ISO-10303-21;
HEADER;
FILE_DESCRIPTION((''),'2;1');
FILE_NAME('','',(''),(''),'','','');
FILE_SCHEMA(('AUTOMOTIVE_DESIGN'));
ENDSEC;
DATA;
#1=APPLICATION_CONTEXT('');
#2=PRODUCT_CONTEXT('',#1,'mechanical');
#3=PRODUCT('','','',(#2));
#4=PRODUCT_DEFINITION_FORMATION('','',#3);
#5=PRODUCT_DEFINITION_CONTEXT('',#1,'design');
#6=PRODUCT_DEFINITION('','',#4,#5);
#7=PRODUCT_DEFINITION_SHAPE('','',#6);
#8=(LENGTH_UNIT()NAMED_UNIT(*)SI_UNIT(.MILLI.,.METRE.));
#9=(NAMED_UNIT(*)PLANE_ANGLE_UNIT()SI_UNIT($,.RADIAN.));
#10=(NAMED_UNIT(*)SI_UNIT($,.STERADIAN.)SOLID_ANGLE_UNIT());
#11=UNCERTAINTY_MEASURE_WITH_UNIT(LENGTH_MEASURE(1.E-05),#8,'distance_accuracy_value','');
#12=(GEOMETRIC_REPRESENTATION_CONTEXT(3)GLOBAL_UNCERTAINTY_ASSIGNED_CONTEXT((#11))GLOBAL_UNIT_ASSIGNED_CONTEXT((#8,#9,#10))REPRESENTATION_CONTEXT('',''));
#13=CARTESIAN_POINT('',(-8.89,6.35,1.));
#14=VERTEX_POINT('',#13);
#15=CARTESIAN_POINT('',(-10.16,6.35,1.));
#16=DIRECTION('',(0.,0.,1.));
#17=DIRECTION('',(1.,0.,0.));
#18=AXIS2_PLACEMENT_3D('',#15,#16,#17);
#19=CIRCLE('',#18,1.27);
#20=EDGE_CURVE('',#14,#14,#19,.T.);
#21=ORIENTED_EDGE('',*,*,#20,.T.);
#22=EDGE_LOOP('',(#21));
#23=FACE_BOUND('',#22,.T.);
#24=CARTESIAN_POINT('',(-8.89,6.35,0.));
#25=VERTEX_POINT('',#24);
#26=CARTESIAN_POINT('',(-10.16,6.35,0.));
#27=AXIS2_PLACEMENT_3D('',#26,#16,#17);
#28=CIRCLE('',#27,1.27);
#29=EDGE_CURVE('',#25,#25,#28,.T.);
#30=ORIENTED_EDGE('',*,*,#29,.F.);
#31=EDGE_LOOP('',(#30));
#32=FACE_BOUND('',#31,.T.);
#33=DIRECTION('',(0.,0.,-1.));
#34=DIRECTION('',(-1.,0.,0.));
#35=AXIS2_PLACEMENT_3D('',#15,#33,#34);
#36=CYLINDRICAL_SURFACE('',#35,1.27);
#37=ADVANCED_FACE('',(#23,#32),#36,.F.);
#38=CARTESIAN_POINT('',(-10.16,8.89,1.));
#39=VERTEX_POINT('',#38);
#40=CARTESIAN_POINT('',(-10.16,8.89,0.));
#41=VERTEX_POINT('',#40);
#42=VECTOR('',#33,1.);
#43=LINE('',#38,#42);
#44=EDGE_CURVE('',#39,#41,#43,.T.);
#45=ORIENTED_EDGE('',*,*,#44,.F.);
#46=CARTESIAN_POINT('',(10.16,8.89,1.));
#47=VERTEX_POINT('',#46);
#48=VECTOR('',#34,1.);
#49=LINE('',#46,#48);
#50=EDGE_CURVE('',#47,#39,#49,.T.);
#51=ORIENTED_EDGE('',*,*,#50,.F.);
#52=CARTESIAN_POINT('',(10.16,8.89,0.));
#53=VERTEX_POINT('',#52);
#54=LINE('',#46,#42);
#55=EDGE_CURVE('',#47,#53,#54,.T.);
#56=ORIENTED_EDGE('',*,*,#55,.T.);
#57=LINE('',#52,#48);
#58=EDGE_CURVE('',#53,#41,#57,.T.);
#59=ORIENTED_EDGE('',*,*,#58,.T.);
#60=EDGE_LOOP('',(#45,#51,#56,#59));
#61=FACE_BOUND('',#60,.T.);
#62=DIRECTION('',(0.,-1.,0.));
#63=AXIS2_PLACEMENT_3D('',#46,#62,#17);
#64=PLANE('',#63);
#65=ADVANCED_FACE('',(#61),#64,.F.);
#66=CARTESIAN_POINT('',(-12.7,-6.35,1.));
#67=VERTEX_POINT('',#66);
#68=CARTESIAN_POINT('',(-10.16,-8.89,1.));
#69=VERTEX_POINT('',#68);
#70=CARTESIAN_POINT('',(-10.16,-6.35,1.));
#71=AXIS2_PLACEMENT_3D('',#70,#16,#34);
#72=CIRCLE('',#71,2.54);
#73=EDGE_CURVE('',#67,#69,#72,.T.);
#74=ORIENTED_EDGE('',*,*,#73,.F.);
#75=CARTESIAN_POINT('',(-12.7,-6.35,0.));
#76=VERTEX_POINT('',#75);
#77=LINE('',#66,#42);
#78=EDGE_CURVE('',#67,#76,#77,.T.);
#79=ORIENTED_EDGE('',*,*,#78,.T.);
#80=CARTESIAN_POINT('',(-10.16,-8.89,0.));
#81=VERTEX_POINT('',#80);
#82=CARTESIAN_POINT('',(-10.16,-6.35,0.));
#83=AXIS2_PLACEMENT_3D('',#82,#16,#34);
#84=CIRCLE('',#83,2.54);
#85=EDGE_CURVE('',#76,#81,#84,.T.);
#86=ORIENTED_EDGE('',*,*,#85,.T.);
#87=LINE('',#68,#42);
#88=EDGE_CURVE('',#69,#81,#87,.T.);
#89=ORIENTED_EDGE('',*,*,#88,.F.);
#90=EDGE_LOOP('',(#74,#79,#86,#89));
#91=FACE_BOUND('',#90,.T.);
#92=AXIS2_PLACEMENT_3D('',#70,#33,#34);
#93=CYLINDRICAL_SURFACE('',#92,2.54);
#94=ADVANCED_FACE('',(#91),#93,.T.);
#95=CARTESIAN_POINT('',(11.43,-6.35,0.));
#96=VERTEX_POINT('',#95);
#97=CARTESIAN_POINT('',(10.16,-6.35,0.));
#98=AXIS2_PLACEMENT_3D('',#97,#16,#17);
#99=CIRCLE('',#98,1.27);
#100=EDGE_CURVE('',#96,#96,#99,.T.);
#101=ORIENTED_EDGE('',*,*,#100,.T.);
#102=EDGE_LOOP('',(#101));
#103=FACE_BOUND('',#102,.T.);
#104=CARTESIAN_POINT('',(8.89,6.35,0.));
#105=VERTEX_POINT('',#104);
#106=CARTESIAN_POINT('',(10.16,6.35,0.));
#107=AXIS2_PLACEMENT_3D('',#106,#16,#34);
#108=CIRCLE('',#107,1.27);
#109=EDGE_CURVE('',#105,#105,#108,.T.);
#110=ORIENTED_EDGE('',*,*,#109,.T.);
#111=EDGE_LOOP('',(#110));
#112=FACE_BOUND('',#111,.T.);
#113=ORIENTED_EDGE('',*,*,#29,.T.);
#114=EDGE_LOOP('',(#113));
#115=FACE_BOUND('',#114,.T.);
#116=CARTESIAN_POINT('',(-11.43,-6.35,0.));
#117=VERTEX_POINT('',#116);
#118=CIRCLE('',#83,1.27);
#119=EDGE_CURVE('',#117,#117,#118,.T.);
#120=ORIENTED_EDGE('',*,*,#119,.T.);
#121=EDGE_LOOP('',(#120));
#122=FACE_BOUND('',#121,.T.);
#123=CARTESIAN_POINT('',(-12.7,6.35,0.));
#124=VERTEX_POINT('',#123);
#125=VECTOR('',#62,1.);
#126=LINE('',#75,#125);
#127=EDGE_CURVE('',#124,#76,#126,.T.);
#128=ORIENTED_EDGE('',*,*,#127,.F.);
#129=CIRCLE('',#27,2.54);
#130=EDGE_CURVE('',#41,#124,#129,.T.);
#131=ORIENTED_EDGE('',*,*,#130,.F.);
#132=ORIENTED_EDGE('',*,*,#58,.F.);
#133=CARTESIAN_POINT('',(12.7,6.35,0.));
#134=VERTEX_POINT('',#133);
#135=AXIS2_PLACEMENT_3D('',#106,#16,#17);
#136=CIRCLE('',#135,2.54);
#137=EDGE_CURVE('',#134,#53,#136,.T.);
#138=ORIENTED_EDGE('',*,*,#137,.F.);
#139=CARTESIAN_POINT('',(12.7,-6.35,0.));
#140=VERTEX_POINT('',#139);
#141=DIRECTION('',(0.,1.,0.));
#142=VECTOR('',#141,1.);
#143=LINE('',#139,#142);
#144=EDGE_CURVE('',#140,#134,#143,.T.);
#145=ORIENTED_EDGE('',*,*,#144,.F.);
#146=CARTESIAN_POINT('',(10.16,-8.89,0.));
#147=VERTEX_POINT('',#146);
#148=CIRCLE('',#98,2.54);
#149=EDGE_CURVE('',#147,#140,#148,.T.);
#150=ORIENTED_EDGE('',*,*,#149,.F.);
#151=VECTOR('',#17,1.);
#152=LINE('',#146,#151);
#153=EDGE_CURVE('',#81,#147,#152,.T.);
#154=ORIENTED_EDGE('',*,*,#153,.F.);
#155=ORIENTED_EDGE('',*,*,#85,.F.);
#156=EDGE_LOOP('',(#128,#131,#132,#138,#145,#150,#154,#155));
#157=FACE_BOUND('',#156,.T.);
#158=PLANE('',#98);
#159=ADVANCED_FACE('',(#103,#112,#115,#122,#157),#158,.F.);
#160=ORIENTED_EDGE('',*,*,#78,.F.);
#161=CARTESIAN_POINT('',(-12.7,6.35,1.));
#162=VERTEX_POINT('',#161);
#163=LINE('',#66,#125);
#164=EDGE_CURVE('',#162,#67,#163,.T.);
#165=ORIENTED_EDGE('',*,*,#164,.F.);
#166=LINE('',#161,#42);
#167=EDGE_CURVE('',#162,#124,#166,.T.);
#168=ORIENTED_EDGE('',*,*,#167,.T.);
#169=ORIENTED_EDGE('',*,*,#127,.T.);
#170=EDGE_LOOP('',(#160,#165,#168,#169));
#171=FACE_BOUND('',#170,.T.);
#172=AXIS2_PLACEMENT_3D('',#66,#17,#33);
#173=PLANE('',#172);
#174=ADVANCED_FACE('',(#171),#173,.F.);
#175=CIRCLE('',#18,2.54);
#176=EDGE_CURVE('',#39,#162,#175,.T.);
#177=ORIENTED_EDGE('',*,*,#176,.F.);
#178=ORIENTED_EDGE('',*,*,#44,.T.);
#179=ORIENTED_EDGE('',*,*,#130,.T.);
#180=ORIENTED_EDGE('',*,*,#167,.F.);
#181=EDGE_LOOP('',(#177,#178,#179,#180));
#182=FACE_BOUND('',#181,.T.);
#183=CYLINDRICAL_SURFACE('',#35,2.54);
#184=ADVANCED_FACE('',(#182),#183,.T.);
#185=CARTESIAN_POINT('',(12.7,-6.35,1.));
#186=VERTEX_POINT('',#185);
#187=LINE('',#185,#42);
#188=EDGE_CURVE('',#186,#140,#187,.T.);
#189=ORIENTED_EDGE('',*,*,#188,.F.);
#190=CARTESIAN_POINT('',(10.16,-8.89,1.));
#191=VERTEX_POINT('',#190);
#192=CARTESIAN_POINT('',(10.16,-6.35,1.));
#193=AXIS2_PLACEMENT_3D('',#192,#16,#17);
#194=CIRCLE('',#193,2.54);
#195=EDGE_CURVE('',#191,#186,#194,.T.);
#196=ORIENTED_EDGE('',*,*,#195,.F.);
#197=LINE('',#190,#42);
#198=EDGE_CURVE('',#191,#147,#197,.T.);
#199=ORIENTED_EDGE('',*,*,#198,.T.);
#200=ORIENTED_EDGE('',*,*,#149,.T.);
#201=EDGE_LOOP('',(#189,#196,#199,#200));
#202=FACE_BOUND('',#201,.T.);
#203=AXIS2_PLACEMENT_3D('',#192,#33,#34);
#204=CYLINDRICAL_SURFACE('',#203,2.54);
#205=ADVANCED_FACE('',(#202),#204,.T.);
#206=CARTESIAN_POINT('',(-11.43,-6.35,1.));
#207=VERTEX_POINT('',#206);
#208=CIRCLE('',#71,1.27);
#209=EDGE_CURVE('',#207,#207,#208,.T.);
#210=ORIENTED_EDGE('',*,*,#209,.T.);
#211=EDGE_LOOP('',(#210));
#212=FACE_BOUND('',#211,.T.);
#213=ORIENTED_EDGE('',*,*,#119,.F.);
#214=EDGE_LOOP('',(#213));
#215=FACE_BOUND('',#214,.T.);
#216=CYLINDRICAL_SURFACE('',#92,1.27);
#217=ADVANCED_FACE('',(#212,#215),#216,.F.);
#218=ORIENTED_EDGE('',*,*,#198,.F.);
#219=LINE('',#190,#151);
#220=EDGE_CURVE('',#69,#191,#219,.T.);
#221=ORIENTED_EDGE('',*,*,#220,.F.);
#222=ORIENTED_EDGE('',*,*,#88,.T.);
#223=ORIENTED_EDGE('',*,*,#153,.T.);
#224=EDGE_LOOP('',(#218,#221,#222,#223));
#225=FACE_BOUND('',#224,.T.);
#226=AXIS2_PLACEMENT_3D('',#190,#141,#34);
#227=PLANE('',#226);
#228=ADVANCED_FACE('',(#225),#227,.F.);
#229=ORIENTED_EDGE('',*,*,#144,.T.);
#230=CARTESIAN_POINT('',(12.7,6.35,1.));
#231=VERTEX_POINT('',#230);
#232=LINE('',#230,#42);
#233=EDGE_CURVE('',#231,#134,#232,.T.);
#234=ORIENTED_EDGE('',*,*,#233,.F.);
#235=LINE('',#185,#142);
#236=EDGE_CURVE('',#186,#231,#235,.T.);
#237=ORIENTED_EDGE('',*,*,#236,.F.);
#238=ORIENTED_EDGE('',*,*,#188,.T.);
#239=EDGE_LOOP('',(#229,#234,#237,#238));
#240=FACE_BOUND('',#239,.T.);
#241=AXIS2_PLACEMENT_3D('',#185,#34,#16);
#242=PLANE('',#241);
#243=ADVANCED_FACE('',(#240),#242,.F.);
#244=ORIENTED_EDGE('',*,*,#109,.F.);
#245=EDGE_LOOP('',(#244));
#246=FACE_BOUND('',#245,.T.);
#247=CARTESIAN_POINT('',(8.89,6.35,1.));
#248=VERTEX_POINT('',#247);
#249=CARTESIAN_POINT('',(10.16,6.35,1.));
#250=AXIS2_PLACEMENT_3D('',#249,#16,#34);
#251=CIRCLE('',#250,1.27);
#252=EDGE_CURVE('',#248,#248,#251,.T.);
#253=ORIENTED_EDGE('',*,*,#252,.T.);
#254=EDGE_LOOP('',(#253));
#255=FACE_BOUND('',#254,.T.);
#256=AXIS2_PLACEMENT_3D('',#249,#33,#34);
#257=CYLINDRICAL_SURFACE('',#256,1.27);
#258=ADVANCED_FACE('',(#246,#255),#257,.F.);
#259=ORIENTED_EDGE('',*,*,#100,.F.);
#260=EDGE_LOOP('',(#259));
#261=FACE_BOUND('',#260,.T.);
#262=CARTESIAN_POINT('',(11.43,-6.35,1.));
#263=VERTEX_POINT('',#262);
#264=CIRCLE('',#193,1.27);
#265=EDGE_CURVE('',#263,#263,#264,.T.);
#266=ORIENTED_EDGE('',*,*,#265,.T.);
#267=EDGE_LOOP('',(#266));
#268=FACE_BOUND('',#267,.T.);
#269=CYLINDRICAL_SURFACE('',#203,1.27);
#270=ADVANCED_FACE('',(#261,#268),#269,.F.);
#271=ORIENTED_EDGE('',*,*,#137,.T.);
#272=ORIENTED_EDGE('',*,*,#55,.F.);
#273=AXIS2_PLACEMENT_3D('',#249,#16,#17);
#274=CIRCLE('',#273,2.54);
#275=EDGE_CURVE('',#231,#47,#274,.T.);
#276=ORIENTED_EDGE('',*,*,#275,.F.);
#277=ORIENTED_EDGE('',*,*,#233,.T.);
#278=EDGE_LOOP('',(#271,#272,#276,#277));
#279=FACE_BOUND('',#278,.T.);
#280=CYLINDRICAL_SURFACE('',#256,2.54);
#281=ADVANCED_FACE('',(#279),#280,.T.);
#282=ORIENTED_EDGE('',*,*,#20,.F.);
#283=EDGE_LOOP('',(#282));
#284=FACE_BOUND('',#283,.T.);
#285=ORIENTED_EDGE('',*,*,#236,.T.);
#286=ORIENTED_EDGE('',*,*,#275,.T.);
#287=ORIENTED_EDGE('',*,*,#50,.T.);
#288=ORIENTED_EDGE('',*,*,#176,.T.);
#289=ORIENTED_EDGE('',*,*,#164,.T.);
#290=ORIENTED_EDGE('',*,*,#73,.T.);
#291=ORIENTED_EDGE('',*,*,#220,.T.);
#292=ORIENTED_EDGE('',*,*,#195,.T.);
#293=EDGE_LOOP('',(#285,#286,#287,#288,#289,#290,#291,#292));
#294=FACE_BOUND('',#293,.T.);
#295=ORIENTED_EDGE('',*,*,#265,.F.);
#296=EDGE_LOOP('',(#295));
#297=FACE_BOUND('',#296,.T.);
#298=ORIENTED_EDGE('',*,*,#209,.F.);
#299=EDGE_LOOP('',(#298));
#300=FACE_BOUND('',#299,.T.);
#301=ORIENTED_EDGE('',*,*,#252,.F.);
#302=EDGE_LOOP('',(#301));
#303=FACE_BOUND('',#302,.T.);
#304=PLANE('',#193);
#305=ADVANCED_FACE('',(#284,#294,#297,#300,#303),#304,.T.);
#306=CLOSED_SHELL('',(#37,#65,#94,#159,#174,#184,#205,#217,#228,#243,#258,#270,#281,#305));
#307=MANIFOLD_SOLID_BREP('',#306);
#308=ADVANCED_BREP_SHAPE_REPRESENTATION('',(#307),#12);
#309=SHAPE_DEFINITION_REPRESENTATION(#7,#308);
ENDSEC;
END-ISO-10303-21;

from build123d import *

# Parameters (mm, degrees)
CROQUIS1_R              = 1.27
SALIENTE_EXTRUIR1_DEPTH = 1


with BuildPart() as part:
    # Croquis1 → Saliente-Extruir1 (new body)
    with BuildSketch(Plane.XY):
        with BuildLine():
            Line((10.16, -8.89), (-10.16, -8.89))
            ThreePointArc((-10.16, -8.89), (-11.956051224, -8.146051224), (-12.7, -6.35))
            Line((-12.7, -6.35), (-12.7, 6.35))
            ThreePointArc((-12.7, 6.35), (-11.956051224, 8.146051224), (-10.16, 8.89))
            Line((-10.16, 8.89), (10.16, 8.89))
            ThreePointArc((10.16, 8.89), (11.956051224, 8.146051224), (12.7, 6.35))
            Line((12.7, 6.35), (12.7, -6.35))
            ThreePointArc((12.7, -6.35), (11.956051224, -8.146051224), (10.16, -8.89))
        make_face()
        with Locations((-10.16, 6.35)):
            Circle(CROQUIS1_R, mode=Mode.SUBTRACT)
        with Locations(Location((10.16, 6.35, 0), (0, 0, 180))):
            Circle(CROQUIS1_R, mode=Mode.SUBTRACT)
        with Locations((10.16, -6.35)):
            Circle(CROQUIS1_R, mode=Mode.SUBTRACT)
        with Locations(Location((-10.16, -6.35, 0), (0, 0, 180))):
            Circle(CROQUIS1_R, mode=Mode.SUBTRACT)
    extrude(amount=SALIENTE_EXTRUIR1_DEPTH)


solid = part.part
